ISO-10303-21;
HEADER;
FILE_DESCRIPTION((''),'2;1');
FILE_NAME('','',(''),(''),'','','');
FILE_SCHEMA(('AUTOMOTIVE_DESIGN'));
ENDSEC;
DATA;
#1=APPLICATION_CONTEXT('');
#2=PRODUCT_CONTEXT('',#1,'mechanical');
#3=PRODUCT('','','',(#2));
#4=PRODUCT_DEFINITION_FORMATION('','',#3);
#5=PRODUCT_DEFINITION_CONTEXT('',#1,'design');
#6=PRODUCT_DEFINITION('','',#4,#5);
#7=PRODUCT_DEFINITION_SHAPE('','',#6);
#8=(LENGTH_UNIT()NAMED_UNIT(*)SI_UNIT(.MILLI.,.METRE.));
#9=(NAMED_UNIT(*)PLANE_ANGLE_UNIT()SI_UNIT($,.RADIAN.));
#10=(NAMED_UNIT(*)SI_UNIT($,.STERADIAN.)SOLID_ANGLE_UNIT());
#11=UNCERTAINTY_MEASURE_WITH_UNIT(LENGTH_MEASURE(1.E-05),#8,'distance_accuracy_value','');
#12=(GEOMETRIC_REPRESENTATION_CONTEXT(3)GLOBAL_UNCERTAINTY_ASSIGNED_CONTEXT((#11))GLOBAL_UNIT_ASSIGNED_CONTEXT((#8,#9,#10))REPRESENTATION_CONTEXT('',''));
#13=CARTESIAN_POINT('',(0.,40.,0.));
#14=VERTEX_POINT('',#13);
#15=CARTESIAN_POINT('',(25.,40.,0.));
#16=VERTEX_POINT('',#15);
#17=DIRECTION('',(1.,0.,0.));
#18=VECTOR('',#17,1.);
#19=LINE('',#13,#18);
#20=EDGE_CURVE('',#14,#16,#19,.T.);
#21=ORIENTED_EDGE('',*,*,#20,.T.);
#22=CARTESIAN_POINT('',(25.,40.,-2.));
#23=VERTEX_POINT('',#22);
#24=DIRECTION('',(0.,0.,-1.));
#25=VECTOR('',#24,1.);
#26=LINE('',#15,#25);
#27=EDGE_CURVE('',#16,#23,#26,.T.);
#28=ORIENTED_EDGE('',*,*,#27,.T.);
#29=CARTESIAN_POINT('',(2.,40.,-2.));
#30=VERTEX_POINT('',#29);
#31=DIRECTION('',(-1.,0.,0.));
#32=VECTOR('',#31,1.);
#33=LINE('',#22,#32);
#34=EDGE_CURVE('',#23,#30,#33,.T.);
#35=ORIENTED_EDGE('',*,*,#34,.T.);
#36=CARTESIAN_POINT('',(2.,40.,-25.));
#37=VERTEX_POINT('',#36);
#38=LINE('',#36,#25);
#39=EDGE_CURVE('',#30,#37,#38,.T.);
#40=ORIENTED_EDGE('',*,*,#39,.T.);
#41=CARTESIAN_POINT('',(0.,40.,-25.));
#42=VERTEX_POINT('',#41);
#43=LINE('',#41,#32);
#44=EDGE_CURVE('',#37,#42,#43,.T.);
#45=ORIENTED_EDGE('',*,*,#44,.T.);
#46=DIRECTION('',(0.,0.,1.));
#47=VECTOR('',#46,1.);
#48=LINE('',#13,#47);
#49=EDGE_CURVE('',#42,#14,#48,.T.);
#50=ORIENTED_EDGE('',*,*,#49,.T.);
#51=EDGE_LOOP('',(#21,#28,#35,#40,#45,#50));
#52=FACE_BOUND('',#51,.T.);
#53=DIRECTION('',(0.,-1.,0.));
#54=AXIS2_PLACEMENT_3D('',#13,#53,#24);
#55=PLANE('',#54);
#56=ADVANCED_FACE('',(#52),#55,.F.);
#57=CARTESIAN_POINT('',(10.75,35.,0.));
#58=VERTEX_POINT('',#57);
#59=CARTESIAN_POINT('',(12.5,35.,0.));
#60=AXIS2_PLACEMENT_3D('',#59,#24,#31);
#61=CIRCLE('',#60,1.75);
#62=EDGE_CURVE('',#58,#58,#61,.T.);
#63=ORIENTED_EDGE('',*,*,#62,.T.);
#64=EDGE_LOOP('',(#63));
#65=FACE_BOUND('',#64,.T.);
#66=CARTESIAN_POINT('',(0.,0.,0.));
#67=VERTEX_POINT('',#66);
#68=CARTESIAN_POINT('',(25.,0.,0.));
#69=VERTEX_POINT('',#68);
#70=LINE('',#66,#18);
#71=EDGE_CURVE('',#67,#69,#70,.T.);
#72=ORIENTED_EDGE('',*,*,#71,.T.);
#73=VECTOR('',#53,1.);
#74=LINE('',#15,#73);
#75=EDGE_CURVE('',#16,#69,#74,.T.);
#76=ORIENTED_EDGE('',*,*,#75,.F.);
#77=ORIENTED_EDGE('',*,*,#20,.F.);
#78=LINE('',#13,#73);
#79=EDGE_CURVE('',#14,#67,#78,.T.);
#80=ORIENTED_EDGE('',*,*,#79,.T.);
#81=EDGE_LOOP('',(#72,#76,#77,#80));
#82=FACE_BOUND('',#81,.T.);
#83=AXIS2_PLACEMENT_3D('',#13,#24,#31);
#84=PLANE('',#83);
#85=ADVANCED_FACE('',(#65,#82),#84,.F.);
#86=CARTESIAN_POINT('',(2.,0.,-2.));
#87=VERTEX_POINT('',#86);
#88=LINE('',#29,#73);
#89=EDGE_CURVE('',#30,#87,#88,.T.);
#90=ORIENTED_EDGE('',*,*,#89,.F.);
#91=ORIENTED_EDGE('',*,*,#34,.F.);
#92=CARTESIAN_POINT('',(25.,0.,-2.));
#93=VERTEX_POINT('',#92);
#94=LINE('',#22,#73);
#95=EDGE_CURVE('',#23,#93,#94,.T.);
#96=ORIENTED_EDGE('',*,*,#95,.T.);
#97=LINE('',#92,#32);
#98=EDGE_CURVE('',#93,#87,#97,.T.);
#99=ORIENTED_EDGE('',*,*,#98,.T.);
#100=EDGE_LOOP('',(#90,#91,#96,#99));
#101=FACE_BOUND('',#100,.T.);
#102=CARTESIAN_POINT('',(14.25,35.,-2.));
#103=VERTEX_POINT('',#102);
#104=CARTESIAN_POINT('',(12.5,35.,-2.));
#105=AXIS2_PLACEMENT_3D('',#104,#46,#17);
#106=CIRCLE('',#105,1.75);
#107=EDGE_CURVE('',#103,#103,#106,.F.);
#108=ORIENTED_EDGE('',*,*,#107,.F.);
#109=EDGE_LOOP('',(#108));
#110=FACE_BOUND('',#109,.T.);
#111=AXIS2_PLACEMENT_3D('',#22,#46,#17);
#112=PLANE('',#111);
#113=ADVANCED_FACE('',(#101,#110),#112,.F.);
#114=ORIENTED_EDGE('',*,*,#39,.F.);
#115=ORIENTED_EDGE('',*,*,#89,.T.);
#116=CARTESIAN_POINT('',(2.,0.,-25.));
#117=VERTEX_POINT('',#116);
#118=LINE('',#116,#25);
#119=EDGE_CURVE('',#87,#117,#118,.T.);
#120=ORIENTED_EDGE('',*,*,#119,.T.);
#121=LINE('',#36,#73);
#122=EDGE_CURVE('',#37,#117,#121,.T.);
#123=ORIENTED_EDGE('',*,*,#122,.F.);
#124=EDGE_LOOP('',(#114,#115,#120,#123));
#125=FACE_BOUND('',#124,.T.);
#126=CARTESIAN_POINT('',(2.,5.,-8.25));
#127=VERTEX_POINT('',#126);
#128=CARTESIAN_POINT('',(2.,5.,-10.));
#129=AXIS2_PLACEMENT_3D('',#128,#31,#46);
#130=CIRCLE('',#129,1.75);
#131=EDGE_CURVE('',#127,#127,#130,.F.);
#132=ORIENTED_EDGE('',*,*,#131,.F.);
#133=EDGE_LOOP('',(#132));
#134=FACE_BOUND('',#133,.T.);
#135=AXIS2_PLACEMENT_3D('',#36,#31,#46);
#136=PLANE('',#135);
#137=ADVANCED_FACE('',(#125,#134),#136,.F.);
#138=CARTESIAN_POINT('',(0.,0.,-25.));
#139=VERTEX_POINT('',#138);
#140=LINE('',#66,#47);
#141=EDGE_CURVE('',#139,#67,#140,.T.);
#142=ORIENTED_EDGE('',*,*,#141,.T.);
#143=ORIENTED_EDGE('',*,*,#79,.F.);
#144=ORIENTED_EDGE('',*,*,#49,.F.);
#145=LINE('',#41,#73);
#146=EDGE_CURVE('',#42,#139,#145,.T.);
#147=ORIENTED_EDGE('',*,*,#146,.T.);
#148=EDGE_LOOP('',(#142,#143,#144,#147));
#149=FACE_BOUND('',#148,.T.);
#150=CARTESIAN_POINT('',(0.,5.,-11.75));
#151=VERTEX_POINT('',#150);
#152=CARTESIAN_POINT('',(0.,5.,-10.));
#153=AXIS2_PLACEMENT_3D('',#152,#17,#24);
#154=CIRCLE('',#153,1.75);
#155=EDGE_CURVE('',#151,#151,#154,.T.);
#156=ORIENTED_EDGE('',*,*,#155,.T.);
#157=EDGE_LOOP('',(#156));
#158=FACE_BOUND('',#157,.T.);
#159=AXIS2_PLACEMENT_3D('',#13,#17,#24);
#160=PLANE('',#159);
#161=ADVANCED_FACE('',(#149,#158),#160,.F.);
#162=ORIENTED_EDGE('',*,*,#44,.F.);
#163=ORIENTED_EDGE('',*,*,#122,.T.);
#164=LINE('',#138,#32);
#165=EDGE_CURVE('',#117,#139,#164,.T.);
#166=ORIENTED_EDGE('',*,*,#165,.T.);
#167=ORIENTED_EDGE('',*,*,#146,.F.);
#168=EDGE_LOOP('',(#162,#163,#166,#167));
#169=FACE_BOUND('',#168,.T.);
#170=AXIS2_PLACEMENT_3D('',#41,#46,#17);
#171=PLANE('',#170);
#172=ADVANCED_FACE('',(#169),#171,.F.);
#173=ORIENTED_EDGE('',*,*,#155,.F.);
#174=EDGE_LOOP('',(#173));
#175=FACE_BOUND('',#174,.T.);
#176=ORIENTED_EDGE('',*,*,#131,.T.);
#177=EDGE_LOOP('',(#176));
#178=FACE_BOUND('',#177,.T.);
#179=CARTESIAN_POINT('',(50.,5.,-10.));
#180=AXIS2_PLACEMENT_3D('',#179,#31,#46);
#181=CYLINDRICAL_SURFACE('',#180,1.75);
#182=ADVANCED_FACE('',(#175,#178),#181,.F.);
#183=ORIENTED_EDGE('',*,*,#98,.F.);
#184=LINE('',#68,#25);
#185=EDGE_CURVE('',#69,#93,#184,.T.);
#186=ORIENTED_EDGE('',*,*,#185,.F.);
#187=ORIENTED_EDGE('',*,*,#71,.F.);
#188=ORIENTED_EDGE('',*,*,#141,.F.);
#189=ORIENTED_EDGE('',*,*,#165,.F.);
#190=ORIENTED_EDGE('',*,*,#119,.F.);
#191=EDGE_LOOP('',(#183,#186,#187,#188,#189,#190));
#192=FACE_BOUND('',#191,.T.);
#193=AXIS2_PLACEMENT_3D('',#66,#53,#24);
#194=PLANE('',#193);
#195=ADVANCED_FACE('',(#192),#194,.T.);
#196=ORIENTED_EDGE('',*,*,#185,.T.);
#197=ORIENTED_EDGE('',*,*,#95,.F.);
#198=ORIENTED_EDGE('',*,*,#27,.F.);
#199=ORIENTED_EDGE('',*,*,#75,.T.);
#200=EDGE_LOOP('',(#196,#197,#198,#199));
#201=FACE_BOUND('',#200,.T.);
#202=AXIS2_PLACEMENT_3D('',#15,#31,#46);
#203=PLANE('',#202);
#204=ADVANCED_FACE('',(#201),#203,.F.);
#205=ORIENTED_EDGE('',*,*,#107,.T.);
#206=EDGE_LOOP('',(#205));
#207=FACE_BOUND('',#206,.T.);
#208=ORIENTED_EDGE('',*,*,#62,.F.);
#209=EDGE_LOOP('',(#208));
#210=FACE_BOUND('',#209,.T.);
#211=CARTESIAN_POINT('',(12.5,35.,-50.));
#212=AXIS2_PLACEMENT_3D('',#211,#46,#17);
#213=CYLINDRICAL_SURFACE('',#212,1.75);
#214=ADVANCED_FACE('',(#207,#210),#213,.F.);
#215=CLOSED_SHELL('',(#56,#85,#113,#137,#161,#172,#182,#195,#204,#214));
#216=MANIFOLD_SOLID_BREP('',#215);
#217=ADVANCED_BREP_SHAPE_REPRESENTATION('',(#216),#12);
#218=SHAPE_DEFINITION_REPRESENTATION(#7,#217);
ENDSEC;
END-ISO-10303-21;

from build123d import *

# Parameters (mm, degrees)
BOSS_EXTRUDE1_DEPTH = 40
SKETCH2_R           = 1.75
CUT_EXTRUDE1_DEPTH  = 50
SKETCH3_R           = 1.75
CUT_EXTRUDE2_DEPTH  = 50


with BuildPart() as part:
    # Sketch1 → Boss-Extrude1 (new body)
    with BuildSketch(Plane(origin=(0, 0, 0), x_dir=(1, 0, 0), z_dir=(0, 1, 0))):
        Polygon((0, 0), (25, 0), (25, 2), (2, 2), (2, 25), (0, 25), align=None)
    extrude(amount=BOSS_EXTRUDE1_DEPTH)

    # Sketch2 → Cut-Extrude1 (cut)
    with BuildSketch(Plane(origin=(0, 0, 0), x_dir=(0, 0, -1), z_dir=(1, 0, 0))):
        with Locations((10, 5)):
            Circle(SKETCH2_R)
    extrude(amount=CUT_EXTRUDE1_DEPTH, mode=Mode.SUBTRACT)

    # Sketch3 → Cut-Extrude2 (cut)
    with BuildSketch(Plane(origin=(0, 0, 0), x_dir=(-1, 0, 0), z_dir=(0, 0, -1))):
        with Locations((-12.5, 35)):
            Circle(SKETCH3_R)
    extrude(amount=CUT_EXTRUDE2_DEPTH, mode=Mode.SUBTRACT)


solid = part.part
